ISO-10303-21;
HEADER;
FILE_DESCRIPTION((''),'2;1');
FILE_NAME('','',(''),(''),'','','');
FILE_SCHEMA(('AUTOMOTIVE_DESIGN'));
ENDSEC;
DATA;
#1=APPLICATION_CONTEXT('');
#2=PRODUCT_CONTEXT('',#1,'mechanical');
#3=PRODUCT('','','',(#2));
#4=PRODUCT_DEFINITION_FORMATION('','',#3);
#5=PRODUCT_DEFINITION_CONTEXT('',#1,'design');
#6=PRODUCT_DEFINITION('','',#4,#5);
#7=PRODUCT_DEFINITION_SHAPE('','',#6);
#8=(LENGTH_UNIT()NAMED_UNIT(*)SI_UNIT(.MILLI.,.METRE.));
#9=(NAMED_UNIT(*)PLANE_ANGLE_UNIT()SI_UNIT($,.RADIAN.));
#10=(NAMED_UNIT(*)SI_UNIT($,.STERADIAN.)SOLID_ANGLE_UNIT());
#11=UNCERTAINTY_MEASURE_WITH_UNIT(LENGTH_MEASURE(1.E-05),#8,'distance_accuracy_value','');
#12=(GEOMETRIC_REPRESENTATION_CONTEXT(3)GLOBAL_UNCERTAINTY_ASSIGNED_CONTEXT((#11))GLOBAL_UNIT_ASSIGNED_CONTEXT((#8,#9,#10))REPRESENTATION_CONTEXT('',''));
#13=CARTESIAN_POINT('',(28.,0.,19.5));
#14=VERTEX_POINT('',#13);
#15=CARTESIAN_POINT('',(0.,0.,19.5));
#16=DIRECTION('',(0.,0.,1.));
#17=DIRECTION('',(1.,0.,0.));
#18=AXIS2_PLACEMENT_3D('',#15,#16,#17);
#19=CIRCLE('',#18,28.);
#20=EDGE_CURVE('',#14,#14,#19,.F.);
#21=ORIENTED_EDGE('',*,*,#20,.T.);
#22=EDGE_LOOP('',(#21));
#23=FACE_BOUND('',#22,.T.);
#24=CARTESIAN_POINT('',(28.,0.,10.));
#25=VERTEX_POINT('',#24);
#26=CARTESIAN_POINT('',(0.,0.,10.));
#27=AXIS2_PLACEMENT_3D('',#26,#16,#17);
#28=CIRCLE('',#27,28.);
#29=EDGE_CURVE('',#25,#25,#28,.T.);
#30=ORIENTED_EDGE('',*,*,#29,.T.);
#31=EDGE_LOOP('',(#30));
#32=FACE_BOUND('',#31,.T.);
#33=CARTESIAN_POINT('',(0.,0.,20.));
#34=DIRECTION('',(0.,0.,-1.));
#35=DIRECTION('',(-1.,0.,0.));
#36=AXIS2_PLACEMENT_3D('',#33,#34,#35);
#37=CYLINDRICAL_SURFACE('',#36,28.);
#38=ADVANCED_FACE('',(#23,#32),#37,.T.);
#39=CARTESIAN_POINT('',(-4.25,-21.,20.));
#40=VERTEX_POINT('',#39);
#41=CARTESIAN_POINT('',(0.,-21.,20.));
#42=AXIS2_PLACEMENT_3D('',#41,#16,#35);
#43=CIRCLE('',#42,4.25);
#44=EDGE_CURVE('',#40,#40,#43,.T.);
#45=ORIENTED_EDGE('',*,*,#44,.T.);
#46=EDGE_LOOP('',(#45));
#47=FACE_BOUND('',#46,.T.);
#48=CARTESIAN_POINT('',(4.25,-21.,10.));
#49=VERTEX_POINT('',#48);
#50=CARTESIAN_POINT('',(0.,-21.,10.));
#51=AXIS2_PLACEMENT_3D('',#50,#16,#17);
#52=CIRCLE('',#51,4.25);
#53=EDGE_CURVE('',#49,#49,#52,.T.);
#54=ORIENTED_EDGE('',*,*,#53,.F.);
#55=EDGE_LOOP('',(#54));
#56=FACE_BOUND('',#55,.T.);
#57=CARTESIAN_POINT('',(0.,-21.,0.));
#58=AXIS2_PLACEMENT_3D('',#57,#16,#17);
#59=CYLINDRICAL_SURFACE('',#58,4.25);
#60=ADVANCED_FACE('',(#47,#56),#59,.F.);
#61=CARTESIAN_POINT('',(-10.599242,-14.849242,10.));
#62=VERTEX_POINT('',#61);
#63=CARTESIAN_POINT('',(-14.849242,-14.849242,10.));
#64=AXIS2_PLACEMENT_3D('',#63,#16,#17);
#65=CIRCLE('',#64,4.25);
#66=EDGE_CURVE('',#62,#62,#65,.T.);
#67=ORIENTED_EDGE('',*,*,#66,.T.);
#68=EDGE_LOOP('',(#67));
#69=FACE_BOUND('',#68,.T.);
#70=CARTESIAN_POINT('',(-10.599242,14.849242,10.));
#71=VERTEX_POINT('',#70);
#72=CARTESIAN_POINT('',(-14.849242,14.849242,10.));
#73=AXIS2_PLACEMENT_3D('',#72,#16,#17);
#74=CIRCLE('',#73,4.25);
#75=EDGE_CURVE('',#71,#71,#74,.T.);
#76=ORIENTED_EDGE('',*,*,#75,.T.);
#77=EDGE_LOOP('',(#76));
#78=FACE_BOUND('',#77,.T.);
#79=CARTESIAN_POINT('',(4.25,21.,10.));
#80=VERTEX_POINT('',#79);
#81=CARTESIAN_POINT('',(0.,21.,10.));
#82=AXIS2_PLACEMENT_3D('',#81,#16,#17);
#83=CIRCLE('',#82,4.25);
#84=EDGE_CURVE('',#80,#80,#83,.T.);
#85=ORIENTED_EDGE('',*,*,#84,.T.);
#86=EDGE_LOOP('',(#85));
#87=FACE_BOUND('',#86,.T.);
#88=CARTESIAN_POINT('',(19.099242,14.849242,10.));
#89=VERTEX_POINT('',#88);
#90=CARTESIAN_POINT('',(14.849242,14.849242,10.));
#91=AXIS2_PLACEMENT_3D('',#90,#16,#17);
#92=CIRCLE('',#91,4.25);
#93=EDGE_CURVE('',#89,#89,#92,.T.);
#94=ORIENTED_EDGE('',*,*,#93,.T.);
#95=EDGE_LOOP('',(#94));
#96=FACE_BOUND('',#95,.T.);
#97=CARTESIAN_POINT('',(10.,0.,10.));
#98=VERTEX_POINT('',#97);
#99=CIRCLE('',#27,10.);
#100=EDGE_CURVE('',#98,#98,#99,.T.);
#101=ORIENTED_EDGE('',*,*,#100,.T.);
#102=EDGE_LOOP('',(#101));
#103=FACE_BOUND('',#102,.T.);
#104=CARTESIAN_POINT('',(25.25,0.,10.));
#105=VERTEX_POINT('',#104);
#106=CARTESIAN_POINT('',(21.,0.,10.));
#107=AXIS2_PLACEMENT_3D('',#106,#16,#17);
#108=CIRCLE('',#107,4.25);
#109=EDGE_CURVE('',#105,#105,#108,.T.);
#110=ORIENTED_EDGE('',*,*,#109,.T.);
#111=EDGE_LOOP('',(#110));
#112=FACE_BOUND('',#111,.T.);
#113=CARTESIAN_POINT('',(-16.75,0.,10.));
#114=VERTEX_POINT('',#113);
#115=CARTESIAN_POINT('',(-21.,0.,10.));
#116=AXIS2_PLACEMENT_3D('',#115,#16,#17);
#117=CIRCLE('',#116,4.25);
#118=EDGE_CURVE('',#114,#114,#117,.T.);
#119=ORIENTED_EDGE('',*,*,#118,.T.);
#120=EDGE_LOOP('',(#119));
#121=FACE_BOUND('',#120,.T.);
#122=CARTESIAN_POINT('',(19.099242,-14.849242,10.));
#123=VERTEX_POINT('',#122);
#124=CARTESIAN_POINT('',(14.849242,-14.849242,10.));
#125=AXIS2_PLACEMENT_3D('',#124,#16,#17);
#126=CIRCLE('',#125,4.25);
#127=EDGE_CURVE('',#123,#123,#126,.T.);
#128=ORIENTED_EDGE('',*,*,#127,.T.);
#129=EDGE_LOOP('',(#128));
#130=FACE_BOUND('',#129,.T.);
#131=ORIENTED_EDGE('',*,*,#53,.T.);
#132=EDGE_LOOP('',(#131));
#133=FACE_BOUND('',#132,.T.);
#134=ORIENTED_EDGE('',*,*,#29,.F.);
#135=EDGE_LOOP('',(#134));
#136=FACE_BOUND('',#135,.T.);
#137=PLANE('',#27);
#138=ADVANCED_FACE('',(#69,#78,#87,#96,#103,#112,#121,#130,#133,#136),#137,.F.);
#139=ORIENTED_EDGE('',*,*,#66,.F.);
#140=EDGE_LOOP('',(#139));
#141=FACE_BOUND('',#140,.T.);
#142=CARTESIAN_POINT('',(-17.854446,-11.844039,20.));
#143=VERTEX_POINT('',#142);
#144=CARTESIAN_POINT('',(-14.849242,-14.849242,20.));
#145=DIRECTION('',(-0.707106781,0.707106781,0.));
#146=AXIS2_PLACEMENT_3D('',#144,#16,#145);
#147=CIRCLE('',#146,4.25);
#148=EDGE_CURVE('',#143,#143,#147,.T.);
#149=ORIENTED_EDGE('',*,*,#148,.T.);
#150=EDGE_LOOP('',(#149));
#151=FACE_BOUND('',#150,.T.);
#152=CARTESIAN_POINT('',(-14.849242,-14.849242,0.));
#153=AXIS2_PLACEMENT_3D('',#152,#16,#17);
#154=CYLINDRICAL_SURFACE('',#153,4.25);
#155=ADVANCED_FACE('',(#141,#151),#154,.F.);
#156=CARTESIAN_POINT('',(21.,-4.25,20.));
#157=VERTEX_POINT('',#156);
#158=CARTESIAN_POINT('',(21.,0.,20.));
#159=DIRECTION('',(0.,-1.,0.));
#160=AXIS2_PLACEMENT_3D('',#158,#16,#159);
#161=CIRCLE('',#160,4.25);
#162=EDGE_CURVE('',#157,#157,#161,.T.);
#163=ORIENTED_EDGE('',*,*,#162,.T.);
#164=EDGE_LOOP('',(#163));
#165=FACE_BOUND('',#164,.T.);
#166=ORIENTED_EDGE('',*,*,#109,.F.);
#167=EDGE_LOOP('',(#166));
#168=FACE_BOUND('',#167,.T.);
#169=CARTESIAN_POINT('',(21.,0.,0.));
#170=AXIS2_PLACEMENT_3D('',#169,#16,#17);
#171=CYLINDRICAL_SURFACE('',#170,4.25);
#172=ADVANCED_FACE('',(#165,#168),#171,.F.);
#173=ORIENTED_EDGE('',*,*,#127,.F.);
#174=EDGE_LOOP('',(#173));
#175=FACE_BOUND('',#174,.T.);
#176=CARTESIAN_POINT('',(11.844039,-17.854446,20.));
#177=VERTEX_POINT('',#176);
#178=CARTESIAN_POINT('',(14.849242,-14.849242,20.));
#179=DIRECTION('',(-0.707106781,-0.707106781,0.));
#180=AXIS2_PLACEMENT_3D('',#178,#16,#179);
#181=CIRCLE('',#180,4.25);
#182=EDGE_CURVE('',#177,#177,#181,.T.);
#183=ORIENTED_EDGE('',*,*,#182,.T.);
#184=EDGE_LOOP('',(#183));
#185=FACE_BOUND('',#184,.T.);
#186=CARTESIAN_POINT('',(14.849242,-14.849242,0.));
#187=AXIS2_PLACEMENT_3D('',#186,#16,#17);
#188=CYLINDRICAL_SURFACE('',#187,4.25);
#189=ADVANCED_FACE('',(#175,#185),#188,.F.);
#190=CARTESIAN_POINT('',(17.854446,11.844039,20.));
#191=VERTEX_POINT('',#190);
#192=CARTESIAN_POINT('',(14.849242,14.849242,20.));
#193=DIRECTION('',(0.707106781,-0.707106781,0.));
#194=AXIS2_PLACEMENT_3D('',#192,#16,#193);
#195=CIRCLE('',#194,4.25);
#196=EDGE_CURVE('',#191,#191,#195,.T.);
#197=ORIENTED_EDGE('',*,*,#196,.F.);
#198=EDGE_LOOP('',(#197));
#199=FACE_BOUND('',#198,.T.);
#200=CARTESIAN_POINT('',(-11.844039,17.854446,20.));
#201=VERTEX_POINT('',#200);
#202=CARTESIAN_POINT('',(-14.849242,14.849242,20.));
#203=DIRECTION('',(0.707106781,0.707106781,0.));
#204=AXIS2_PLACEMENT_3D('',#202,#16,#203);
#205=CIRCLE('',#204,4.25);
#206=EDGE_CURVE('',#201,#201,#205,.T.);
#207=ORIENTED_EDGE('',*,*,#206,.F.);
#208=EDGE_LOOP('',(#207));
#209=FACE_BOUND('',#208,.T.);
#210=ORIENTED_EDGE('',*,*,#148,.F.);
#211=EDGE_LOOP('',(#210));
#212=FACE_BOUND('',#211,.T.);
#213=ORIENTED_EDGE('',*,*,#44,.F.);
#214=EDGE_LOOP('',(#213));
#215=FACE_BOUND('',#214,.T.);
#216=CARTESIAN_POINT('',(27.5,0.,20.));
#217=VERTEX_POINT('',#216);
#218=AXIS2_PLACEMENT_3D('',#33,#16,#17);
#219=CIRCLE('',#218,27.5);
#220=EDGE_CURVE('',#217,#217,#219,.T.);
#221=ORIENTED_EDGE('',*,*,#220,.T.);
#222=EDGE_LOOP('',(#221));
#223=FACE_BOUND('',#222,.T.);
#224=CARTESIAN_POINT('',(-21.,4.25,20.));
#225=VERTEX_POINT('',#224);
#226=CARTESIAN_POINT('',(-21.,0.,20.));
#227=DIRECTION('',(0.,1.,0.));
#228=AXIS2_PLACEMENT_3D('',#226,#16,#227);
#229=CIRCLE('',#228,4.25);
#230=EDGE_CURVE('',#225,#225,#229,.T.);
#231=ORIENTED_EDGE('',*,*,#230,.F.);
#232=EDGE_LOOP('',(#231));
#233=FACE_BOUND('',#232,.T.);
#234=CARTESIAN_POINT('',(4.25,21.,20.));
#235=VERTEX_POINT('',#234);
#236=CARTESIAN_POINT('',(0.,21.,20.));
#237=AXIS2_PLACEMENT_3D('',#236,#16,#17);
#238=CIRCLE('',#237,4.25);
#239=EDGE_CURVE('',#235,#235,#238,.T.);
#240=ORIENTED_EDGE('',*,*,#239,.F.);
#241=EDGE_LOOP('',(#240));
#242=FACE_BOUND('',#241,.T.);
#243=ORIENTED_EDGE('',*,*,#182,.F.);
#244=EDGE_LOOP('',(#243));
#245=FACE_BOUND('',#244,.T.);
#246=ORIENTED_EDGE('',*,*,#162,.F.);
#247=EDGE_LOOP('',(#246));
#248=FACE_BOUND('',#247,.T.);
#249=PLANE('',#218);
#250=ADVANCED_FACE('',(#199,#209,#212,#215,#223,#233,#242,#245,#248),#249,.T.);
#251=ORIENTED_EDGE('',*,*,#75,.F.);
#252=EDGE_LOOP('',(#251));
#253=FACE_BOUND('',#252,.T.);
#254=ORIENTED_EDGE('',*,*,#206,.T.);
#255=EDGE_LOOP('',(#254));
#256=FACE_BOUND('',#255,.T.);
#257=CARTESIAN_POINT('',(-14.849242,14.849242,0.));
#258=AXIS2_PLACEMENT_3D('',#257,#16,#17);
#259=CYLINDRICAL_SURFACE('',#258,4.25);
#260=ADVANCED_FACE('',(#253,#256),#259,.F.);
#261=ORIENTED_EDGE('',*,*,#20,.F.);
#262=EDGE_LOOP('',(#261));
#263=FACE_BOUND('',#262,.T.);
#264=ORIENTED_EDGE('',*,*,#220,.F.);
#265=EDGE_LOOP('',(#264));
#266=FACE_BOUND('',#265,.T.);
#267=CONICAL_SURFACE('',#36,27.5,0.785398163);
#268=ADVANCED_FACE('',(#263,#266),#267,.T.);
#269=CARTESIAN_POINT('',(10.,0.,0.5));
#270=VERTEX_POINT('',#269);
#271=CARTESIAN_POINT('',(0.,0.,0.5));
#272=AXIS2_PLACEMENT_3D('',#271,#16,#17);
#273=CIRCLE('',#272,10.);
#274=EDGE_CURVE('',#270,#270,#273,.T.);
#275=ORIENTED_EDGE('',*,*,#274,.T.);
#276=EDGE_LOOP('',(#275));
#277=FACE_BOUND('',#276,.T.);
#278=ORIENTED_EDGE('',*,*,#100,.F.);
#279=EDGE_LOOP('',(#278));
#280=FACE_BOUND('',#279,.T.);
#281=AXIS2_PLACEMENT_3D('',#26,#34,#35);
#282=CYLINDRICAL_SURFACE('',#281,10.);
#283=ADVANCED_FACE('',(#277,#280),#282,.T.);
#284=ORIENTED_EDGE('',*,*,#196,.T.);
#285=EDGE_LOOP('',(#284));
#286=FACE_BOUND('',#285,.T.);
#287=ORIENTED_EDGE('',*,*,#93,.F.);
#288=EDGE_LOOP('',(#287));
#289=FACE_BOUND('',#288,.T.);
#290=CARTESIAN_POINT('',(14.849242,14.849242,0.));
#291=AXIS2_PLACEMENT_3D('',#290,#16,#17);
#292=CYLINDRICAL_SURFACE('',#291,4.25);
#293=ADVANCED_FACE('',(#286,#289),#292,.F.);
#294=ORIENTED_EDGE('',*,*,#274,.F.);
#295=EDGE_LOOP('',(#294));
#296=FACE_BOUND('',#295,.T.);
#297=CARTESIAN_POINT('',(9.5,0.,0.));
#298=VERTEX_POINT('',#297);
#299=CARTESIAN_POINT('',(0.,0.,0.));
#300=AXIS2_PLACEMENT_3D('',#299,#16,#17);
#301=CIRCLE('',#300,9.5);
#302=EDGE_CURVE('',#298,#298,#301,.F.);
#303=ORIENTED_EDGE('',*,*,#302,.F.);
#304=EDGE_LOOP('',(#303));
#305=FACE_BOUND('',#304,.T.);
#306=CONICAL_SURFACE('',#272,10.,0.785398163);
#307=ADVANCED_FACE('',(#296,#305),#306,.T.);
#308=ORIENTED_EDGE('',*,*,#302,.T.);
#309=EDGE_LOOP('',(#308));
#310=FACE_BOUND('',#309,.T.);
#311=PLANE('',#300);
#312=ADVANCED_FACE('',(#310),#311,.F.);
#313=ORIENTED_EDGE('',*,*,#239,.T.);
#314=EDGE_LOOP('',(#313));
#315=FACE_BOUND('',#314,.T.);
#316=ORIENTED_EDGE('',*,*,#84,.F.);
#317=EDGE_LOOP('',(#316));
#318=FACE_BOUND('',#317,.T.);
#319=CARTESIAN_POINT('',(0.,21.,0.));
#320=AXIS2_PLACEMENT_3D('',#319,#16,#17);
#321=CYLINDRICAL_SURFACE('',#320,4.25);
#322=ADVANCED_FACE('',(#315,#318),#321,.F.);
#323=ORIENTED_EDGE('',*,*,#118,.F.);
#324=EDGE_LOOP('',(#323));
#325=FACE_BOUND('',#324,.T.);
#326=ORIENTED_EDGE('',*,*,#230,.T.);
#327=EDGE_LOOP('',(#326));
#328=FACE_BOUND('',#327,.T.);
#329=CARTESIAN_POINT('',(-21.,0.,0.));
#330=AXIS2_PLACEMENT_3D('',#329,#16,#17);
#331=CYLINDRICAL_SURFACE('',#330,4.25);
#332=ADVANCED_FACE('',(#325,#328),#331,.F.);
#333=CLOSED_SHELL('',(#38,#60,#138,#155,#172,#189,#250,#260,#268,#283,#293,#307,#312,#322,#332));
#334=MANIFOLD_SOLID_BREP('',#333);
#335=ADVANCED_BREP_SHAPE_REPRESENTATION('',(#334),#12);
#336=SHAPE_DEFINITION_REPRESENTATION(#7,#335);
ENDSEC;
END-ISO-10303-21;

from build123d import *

# Parameters (mm, degrees)
SCHIZZO1_R                   = 10
ESTRUSIONE_ESTRUSIONE1_DEPTH = 10
SCHIZZO2_R                   = 28
ESTRUSIONE_ESTRUSIONE2_DEPTH = 10
SCHIZZO3_R                   = 4.25
TAGLIO_ESTRUSIONE1_DEPTH     = 45.362146026
RIPETIZIONECIRCOLARE1_COUNT  = 8
SMUSSO1_SIZE                 = 0.5
SMUSSO2_SIZE                 = 0.5


with BuildPart() as part:
    # Schizzo1 → Estrusione-Estrusione1 (new body)
    with BuildSketch(Plane.XY):
        Circle(SCHIZZO1_R)
    extrude(amount=ESTRUSIONE_ESTRUSIONE1_DEPTH)

    # Schizzo2 → Estrusione-Estrusione2 (add)
    with BuildSketch(Plane.XY.offset(10)):
        Circle(SCHIZZO2_R)
    extrude(amount=ESTRUSIONE_ESTRUSIONE2_DEPTH)

    # Schizzo3 → Taglio-Estrusione1 (cut, through all)
    with BuildSketch(Plane.XY.offset(20)):
        with Locations((0, 21)):
            Circle(SCHIZZO3_R)
    taglio_estrusione1 = extrude(amount=-TAGLIO_ESTRUSIONE1_DEPTH, mode=Mode.SUBTRACT)

    # RipetizioneCircolare1: Taglio-Estrusione1 ×8 about axis
    ripetizionecircolare1_axis = Axis((0, 0, 0), (0, 0, 1))
    for i in range(1, RIPETIZIONECIRCOLARE1_COUNT):
        add(taglio_estrusione1.rotate(ripetizionecircolare1_axis, i * 360 / RIPETIZIONECIRCOLARE1_COUNT), mode=Mode.SUBTRACT)

    # Smusso1
    smusso1_edges = [part.edges().sort_by_distance(p)[0] for p in [
        (-10, 0, 0),
    ]]
    chamfer(smusso1_edges, length=SMUSSO1_SIZE)

    # Smusso2
    smusso2_edges = [part.edges().sort_by_distance(p)[0] for p in [
        (-28, 0, 20),
    ]]
    chamfer(smusso2_edges, length=SMUSSO2_SIZE)


solid = part.part
